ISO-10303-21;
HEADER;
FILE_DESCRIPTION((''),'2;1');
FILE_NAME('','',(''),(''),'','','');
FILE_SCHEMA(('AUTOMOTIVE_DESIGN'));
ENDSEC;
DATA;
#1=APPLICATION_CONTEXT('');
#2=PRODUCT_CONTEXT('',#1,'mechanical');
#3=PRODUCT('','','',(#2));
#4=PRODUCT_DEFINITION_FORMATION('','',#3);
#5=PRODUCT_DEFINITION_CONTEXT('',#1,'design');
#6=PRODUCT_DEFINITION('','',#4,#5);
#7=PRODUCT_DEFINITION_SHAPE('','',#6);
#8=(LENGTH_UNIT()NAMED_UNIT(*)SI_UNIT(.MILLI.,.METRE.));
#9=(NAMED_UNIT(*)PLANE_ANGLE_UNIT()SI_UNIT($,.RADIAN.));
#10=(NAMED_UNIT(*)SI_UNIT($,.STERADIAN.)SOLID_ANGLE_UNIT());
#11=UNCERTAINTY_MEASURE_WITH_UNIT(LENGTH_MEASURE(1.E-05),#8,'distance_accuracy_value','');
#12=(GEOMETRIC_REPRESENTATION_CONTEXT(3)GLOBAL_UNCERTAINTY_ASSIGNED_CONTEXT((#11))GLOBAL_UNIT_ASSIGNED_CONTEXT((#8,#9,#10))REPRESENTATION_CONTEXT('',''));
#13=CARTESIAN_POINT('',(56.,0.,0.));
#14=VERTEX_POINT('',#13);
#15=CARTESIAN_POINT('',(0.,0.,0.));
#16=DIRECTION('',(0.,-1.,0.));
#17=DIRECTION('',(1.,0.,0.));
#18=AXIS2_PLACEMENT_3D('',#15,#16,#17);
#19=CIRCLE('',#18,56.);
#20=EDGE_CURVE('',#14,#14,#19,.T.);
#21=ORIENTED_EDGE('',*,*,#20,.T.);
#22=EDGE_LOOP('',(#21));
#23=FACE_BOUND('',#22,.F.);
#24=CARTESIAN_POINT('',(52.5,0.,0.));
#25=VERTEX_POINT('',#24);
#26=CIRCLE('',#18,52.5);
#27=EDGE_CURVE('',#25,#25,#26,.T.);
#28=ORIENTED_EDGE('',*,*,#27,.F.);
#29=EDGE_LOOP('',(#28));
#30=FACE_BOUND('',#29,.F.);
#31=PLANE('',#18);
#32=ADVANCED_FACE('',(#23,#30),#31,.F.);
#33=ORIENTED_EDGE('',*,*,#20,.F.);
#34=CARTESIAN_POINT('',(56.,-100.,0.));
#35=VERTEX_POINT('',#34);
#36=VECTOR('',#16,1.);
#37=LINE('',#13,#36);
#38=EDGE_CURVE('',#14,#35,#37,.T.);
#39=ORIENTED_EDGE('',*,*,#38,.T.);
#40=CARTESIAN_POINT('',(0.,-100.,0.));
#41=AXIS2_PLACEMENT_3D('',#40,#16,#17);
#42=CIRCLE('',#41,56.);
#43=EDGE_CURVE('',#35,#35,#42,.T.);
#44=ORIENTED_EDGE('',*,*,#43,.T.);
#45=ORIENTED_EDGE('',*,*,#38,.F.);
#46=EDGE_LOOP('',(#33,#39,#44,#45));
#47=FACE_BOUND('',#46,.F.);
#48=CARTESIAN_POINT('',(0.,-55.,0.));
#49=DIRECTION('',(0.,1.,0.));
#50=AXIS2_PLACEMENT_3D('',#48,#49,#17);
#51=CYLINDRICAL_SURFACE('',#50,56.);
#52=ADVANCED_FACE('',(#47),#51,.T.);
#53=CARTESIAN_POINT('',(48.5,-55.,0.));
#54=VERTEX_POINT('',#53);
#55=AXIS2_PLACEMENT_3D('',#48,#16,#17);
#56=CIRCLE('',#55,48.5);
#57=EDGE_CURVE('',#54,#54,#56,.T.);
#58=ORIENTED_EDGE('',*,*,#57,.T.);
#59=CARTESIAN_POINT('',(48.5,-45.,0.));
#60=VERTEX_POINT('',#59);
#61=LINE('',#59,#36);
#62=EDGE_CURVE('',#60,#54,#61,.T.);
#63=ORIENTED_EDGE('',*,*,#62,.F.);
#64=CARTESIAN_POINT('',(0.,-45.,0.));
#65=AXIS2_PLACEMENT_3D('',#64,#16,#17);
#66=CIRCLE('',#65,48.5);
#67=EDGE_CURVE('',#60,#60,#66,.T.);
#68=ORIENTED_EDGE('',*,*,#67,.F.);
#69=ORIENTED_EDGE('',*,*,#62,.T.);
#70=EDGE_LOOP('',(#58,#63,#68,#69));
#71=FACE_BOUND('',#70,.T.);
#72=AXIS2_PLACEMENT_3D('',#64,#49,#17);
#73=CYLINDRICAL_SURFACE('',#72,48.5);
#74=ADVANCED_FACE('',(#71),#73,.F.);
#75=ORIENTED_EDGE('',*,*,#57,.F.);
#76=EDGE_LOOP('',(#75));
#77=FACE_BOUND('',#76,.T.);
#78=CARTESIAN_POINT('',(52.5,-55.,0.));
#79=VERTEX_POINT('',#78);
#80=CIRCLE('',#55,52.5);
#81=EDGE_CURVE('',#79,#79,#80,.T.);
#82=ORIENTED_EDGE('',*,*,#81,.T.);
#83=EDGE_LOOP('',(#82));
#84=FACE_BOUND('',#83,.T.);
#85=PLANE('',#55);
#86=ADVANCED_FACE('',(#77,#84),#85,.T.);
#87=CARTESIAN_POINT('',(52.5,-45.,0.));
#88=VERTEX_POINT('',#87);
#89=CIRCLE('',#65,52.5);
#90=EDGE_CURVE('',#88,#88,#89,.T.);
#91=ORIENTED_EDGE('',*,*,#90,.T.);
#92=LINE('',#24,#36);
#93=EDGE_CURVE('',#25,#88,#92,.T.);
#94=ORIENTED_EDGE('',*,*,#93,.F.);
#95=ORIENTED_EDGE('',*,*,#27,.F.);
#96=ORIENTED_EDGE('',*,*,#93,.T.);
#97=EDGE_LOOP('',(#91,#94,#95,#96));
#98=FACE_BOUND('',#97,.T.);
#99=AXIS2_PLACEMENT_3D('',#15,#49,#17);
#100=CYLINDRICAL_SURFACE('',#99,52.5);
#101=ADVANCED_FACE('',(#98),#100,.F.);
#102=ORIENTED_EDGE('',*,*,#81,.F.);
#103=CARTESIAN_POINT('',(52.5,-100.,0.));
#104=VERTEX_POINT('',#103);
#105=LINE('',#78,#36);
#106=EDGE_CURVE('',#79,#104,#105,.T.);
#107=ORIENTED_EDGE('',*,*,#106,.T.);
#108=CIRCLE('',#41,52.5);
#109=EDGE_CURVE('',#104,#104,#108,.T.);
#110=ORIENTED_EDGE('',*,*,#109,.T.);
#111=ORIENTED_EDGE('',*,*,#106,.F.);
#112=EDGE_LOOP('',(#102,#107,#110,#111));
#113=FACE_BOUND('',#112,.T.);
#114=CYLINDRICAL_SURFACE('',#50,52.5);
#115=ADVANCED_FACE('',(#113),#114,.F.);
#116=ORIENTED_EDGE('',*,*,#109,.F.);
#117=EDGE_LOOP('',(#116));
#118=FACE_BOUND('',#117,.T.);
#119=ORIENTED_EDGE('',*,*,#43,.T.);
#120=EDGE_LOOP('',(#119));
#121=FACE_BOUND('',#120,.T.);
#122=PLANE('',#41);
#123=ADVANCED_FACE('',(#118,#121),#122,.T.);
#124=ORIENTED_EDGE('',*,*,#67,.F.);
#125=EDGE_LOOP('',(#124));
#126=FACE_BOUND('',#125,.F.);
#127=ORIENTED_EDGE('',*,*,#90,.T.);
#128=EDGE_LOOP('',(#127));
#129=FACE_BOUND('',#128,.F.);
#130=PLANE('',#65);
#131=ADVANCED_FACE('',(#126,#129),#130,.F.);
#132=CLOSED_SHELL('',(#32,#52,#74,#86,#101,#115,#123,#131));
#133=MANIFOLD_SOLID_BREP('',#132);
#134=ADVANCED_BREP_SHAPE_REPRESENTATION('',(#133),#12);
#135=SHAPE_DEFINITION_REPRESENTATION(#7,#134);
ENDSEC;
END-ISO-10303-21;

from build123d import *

# Parameters (mm, degrees)
F0_R     = 56
F0_R_2   = 52.5
F1_DEPTH = 45
F2_R     = 56
F2_R_2   = 52.5
F2_R_3   = 48.5
F3_DEPTH = 10
F4_R     = 56
F4_R_2   = 52.5
F5_DEPTH = 45


with BuildPart() as f1:
    # F0 (on Front) → F1 (new body)
    with BuildSketch(Plane.XZ):
        Circle(F0_R)
        Circle(F0_R_2, mode=Mode.SUBTRACT)
    extrude(amount=F1_DEPTH)

    # F2 (on face) → F3 (join)
    with BuildSketch(Plane.XZ.offset(45)):
        Circle(F2_R)
        Circle(F2_R_2, mode=Mode.SUBTRACT)
        Circle(F2_R_2)
        Circle(F2_R_3, mode=Mode.SUBTRACT)
    extrude(amount=F3_DEPTH)

    # F4 (on face) → F5 (join)
    with BuildSketch(Plane.XZ.offset(55)):
        Circle(F4_R)
        Circle(F4_R_2, mode=Mode.SUBTRACT)
    extrude(amount=F5_DEPTH)


solid = f1.part
